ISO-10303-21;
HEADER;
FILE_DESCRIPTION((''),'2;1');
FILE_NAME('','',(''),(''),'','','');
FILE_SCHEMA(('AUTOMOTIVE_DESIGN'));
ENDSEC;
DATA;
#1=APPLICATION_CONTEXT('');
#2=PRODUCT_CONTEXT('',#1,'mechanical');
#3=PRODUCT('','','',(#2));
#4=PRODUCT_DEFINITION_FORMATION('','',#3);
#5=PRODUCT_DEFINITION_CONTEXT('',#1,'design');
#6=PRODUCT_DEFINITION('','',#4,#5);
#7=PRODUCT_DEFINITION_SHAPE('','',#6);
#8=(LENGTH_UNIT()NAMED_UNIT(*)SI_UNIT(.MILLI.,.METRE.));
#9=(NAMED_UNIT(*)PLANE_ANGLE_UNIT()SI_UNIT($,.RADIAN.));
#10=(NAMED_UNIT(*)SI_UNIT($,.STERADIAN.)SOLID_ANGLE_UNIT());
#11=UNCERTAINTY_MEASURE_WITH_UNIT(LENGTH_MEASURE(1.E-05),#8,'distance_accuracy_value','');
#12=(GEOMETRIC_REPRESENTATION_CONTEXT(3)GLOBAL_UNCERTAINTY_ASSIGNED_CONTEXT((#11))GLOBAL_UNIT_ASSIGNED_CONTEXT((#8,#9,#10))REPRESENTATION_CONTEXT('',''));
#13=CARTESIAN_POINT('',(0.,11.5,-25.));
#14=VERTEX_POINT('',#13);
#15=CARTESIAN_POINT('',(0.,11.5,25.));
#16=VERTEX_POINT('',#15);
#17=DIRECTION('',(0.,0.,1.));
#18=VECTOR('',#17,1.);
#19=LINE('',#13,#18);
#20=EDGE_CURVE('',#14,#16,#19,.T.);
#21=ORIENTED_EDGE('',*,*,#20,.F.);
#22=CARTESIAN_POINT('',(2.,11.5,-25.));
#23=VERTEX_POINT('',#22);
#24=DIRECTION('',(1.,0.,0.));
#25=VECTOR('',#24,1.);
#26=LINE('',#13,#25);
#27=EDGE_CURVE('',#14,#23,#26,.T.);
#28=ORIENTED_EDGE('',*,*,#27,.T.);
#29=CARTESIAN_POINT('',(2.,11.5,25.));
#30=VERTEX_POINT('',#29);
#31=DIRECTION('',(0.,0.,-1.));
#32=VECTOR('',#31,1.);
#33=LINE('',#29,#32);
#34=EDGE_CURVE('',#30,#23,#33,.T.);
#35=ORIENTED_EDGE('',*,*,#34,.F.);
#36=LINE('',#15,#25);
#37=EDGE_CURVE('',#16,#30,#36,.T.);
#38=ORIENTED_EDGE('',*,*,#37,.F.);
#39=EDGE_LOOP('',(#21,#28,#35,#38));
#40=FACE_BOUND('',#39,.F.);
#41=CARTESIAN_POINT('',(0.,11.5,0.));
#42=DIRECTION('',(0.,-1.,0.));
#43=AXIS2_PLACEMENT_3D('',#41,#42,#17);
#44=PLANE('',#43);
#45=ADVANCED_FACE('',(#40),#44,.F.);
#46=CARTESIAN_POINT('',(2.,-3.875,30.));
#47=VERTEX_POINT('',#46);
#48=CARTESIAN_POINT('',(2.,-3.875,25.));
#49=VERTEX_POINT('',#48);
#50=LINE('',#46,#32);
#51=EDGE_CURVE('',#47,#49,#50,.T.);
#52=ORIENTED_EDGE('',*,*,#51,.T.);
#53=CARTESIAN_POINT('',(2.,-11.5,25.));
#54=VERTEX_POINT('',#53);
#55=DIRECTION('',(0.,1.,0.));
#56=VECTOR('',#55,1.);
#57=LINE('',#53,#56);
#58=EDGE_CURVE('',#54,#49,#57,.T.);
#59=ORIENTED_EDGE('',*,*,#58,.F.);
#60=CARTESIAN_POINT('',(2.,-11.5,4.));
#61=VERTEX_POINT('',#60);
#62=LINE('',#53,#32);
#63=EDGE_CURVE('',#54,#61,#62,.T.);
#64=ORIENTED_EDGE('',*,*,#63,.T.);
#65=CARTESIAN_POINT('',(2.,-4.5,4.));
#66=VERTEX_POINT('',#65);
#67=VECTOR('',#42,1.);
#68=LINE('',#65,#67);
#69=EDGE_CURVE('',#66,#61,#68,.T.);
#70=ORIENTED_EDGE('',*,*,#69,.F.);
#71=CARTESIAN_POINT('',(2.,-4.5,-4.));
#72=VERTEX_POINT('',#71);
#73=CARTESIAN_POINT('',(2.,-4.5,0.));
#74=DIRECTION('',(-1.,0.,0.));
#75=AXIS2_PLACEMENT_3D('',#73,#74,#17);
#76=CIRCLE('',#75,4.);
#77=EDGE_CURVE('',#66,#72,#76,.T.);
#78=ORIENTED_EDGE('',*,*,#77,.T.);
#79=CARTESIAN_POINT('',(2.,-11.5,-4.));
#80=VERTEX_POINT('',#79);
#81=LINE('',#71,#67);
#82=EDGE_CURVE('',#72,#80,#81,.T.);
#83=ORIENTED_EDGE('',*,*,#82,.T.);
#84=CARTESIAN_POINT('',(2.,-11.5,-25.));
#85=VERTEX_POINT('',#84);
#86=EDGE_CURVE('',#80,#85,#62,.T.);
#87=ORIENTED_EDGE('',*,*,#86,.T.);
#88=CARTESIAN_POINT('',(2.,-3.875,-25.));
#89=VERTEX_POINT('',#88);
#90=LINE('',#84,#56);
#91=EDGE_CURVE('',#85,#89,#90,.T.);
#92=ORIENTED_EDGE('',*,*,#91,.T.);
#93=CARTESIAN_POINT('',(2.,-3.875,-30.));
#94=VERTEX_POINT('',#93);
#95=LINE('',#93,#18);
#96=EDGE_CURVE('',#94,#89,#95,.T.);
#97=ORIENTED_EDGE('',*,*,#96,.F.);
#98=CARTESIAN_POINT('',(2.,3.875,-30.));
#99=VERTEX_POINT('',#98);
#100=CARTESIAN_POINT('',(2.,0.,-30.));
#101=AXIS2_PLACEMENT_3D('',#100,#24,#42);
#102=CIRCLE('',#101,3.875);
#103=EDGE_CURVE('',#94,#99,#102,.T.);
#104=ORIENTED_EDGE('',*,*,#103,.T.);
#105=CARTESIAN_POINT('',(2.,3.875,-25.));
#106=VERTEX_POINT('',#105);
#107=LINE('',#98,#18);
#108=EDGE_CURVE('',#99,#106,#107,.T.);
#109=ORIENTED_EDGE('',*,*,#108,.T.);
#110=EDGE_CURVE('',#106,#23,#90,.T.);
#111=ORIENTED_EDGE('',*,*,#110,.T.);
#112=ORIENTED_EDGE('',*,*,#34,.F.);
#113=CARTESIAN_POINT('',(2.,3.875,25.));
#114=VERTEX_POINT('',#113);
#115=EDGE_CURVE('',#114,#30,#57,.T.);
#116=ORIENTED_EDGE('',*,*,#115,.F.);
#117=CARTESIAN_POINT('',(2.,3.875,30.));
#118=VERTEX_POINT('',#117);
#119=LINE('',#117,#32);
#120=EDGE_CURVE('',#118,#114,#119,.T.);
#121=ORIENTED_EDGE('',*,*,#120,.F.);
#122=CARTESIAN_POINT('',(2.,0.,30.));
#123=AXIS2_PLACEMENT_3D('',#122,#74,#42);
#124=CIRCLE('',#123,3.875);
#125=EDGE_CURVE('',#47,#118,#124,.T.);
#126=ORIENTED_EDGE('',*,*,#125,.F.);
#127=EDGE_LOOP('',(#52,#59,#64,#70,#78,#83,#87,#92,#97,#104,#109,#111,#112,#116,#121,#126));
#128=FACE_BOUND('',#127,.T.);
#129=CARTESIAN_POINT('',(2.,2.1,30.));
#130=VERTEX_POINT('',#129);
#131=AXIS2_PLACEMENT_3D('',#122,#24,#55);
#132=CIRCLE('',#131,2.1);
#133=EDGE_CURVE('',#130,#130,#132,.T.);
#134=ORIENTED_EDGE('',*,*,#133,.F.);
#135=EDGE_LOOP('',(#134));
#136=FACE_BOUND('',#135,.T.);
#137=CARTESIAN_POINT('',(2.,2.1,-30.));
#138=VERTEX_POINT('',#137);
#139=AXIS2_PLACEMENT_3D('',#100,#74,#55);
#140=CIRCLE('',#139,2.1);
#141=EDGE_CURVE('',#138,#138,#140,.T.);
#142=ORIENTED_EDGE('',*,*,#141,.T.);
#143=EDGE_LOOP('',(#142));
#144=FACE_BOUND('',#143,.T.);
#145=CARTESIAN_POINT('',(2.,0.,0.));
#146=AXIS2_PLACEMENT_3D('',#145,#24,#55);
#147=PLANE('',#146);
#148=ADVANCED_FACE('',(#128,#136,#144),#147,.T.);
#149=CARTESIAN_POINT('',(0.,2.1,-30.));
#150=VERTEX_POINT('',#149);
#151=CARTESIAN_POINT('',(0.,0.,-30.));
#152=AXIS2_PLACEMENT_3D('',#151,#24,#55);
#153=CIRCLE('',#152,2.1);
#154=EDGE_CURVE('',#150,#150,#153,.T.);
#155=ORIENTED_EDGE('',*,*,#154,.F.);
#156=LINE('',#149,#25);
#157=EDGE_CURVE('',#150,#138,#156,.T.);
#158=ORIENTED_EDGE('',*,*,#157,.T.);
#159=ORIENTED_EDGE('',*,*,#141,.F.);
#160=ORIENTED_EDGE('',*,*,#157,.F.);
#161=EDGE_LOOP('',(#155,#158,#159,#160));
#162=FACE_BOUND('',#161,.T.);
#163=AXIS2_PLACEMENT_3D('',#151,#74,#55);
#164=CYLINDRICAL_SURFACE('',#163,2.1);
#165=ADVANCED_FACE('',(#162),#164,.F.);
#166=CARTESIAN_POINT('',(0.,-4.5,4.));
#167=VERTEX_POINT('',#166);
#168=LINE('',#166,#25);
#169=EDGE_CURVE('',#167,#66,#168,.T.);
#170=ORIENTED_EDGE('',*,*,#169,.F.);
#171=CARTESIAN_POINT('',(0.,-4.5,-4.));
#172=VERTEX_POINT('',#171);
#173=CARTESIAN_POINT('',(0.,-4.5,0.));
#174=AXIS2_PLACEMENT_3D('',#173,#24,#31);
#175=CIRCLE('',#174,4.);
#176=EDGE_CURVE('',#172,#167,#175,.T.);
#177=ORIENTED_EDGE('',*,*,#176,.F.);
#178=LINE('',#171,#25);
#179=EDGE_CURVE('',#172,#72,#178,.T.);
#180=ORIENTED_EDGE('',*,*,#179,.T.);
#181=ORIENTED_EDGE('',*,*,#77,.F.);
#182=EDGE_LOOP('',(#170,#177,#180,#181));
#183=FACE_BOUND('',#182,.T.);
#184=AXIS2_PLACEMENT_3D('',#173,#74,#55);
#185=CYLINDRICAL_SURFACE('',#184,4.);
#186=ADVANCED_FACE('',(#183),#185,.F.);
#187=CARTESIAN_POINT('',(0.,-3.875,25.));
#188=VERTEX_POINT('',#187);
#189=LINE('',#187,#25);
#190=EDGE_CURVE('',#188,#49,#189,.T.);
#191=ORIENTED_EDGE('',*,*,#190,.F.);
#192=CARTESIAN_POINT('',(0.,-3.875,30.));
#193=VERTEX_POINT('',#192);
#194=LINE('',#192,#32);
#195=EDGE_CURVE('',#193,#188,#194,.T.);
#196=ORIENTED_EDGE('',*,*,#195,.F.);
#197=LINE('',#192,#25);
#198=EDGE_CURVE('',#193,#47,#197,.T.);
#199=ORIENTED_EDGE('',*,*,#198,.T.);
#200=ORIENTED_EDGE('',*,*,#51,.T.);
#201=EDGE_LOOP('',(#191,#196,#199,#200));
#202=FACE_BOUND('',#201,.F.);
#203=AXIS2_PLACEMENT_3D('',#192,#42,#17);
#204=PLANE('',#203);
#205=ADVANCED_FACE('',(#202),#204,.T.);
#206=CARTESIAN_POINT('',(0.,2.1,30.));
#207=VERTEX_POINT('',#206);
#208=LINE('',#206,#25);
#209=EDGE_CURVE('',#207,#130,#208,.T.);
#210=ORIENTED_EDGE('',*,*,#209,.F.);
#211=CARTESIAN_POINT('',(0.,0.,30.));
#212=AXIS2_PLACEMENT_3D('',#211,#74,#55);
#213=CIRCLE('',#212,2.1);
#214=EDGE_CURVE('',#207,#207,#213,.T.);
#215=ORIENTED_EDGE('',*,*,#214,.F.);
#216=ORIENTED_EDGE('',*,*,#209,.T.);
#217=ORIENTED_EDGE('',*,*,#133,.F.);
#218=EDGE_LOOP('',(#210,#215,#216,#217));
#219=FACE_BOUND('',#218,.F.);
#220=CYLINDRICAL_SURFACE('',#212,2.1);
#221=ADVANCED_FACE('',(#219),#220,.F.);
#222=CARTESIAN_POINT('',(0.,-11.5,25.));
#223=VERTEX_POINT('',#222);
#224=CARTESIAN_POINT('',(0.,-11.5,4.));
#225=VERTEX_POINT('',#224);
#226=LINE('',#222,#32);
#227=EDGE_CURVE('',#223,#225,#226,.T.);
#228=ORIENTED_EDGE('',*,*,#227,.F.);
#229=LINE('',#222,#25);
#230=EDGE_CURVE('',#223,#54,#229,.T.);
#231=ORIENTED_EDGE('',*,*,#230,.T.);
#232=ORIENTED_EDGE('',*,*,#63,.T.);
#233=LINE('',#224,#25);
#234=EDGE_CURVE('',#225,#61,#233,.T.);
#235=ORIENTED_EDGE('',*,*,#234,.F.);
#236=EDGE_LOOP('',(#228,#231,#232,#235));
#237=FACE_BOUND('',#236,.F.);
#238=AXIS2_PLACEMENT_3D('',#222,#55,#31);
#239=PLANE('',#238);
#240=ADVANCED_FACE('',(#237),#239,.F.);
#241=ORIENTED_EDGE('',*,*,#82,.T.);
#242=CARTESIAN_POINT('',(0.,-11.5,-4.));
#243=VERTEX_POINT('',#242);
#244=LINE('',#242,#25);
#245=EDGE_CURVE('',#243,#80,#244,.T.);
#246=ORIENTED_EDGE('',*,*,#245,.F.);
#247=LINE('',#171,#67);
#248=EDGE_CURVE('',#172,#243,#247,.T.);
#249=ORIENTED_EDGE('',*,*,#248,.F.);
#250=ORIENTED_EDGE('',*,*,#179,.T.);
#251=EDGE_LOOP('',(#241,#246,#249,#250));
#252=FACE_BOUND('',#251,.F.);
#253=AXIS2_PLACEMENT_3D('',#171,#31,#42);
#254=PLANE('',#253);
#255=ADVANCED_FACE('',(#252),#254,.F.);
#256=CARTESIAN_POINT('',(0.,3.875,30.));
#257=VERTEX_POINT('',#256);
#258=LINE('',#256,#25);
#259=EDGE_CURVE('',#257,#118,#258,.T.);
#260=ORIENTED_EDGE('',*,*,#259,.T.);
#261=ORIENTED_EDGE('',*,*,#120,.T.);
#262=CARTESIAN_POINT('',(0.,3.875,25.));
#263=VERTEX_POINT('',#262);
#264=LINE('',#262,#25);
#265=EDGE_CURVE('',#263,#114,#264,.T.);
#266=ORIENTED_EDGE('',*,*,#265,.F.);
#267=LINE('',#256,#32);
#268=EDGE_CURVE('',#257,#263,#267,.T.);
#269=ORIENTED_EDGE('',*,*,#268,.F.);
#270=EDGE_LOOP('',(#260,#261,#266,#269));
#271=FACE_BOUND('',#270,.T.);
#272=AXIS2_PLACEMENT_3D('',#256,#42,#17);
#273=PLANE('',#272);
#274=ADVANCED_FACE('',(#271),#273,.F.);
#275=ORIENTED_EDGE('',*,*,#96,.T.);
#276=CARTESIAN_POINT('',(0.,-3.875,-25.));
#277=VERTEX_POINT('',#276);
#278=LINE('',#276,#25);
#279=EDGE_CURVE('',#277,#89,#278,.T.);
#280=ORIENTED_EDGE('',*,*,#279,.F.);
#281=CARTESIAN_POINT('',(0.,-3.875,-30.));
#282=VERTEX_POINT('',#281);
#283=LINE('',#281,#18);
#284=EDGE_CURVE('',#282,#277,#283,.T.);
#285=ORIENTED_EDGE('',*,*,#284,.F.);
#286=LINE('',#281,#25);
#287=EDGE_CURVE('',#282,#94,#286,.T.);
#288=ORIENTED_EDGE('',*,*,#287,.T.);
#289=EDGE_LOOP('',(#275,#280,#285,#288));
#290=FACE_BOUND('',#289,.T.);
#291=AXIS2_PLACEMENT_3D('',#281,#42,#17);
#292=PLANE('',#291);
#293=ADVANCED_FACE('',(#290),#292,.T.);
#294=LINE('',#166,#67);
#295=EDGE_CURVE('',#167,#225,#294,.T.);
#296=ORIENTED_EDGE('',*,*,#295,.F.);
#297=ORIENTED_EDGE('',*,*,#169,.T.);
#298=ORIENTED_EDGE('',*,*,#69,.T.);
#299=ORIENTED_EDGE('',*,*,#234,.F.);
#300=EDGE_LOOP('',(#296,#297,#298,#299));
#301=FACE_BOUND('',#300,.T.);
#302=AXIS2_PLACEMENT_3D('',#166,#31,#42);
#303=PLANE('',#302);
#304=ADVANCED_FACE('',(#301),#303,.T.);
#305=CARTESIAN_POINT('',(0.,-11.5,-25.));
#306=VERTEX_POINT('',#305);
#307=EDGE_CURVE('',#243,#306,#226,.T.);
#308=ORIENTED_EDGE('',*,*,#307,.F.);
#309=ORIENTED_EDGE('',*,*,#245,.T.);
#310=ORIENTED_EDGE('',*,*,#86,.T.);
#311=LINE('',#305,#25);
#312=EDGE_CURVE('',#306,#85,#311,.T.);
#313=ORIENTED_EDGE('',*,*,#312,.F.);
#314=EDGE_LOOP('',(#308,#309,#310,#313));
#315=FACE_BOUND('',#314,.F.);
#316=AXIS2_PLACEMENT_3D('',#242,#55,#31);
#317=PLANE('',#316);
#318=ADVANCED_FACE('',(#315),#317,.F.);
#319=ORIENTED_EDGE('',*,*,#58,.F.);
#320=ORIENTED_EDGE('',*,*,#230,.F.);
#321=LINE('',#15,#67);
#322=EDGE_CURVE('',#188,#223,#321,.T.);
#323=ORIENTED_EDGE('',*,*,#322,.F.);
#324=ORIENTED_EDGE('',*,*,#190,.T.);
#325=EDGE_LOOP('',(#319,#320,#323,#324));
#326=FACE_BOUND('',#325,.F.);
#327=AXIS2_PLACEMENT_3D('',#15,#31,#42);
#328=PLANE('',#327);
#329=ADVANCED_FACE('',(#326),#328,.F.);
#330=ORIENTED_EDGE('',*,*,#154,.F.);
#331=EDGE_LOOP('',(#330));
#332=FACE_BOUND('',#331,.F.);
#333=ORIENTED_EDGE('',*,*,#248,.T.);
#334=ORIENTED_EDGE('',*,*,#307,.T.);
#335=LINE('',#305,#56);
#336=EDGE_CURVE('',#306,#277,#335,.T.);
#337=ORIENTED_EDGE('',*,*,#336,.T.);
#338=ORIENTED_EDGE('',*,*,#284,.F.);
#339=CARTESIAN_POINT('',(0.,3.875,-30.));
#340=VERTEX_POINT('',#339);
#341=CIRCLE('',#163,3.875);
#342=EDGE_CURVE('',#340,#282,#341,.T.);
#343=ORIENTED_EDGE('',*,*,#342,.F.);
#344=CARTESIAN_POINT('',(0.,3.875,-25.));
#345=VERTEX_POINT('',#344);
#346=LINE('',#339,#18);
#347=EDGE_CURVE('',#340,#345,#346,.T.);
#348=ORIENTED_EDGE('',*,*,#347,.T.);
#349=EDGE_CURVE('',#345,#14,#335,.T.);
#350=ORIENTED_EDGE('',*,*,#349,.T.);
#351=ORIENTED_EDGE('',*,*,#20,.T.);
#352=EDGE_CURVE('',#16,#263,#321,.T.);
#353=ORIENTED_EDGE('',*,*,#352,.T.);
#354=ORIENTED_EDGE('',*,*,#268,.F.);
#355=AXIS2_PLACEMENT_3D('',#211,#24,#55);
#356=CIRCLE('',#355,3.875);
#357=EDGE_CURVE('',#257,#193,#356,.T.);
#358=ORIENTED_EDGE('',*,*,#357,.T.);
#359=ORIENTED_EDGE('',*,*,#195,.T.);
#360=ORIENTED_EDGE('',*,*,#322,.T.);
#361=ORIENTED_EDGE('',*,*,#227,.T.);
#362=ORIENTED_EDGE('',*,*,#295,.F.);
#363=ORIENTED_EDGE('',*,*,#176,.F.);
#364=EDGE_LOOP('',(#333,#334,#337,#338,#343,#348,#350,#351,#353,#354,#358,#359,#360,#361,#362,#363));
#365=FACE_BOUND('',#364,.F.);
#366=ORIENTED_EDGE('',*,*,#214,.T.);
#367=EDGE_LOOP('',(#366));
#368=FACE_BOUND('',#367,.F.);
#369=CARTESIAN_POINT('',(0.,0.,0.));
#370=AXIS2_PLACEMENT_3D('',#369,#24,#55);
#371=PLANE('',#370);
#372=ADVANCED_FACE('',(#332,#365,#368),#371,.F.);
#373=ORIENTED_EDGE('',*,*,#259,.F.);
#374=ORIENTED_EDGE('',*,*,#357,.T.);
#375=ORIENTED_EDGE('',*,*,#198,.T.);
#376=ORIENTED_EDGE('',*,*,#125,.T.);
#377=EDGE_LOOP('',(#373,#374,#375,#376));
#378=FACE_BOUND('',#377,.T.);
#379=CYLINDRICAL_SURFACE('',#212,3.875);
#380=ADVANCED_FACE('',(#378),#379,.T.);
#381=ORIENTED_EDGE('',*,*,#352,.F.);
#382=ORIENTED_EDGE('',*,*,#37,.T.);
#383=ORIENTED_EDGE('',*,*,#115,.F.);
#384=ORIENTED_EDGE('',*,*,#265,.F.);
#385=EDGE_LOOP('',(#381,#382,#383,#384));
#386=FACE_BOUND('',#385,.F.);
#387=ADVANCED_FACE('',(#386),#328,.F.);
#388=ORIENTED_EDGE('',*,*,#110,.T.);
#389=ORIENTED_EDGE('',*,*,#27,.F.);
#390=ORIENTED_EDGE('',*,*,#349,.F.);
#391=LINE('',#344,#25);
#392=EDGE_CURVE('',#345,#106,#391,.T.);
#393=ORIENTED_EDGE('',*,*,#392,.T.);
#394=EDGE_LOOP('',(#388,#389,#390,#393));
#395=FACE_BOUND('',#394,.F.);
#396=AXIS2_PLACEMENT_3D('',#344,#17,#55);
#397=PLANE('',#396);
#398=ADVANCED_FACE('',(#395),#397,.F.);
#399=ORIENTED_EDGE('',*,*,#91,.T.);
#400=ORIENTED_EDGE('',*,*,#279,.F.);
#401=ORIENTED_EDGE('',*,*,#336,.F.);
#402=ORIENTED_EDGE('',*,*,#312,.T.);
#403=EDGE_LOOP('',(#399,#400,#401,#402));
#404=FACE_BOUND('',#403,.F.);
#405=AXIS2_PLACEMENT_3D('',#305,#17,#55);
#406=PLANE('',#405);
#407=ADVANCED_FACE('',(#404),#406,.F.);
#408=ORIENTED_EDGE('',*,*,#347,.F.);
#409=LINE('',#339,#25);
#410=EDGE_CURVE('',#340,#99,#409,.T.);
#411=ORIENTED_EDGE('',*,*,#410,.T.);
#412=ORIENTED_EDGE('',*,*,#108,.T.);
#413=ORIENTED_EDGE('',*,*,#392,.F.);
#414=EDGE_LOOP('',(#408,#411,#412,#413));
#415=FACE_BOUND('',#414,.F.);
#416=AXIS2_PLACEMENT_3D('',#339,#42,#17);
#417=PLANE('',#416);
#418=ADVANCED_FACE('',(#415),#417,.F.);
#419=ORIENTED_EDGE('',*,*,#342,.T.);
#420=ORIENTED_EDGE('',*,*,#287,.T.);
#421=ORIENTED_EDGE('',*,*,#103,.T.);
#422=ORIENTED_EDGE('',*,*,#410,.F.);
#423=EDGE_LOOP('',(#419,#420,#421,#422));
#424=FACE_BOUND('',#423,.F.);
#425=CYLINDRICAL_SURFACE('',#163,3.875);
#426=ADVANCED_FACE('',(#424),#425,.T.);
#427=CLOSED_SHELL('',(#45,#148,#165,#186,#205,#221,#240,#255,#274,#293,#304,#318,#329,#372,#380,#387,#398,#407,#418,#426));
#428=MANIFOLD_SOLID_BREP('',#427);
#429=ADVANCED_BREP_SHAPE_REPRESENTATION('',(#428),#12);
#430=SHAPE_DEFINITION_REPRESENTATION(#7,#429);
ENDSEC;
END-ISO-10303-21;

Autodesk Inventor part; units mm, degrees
ref_plane "YZ Plane" through (0, 0, 0) normal (1, 0, 0) x (0, 1, 0)
ref_plane "XZ Plane" through (0, 0, 0) normal (0, 1, 0) x (-1, 0, 0)
sketch "Sketch1" plane through (0, 0, 0) normal (1, 0, 0) x (0, 1, 0)
  line L0 (11.5, 25) -> (-11.5, 25)
  line L1 (-11.5, 25) -> (-11.5, -25)
  line L2 (-11.5, -25) -> (11.5, -25)
  line L3 (11.5, -25) -> (11.5, 25)
  line L4 (11.5, 25) -> (-11.5, -25) construction
  line L5 (-11.5, 25) -> (11.5, -25) construction
  circle A0 centre (0, -30) radius 3.875
  line L6 (3.875, -30) -> (3.875, -25)
  line L7 (-3.875, -30) -> (-3.875, -25)
  line L8 (0, -45.65) -> (0, 36.775) projected
  circle A1 centre (0, -30) radius 2.1
  line L9 (-16.1, 0) -> (16.1, 0) projected
  circle A2 centre (-4.5, 0) radius 4
  line L10 (-4.5, 4) -> (-11.5, 4)
  line L11 (-4.5, -4) -> (-11.5, -4)
  point P0 (0, 0)
  point P1 (-11.5, 1.75)
  point P2 (-11.5, -4.25)
  point P3 (4, 25)
  point P4 (-4, 25)
  dimension "d0" = 50
  dimension "d1" = 23
  dimension "d4" = 7.75
  dimension "d5" = 5
  dimension "d6" = 4.2
  dimension "d11" = 8
  dimension "d12" = 7
extrude "Extrusion1" add sketch "Sketch1" along normal blind 2 contours L3 L9 L8 L0 | L8 L9 A2 L10 L1 L0 | L3 L2 L8 L9 | L8 L2 L1 L11 A2 L9 | L8 A0 L7 L2 | L2 L6 A0 L8 | L8 A1 A0 | A0 L8 A1
mirror "Mirror1" about plane through (0, 0, 0) normal (0, 0, 1) of "Extrusion1"
properties part number "pokrywa_baza"
